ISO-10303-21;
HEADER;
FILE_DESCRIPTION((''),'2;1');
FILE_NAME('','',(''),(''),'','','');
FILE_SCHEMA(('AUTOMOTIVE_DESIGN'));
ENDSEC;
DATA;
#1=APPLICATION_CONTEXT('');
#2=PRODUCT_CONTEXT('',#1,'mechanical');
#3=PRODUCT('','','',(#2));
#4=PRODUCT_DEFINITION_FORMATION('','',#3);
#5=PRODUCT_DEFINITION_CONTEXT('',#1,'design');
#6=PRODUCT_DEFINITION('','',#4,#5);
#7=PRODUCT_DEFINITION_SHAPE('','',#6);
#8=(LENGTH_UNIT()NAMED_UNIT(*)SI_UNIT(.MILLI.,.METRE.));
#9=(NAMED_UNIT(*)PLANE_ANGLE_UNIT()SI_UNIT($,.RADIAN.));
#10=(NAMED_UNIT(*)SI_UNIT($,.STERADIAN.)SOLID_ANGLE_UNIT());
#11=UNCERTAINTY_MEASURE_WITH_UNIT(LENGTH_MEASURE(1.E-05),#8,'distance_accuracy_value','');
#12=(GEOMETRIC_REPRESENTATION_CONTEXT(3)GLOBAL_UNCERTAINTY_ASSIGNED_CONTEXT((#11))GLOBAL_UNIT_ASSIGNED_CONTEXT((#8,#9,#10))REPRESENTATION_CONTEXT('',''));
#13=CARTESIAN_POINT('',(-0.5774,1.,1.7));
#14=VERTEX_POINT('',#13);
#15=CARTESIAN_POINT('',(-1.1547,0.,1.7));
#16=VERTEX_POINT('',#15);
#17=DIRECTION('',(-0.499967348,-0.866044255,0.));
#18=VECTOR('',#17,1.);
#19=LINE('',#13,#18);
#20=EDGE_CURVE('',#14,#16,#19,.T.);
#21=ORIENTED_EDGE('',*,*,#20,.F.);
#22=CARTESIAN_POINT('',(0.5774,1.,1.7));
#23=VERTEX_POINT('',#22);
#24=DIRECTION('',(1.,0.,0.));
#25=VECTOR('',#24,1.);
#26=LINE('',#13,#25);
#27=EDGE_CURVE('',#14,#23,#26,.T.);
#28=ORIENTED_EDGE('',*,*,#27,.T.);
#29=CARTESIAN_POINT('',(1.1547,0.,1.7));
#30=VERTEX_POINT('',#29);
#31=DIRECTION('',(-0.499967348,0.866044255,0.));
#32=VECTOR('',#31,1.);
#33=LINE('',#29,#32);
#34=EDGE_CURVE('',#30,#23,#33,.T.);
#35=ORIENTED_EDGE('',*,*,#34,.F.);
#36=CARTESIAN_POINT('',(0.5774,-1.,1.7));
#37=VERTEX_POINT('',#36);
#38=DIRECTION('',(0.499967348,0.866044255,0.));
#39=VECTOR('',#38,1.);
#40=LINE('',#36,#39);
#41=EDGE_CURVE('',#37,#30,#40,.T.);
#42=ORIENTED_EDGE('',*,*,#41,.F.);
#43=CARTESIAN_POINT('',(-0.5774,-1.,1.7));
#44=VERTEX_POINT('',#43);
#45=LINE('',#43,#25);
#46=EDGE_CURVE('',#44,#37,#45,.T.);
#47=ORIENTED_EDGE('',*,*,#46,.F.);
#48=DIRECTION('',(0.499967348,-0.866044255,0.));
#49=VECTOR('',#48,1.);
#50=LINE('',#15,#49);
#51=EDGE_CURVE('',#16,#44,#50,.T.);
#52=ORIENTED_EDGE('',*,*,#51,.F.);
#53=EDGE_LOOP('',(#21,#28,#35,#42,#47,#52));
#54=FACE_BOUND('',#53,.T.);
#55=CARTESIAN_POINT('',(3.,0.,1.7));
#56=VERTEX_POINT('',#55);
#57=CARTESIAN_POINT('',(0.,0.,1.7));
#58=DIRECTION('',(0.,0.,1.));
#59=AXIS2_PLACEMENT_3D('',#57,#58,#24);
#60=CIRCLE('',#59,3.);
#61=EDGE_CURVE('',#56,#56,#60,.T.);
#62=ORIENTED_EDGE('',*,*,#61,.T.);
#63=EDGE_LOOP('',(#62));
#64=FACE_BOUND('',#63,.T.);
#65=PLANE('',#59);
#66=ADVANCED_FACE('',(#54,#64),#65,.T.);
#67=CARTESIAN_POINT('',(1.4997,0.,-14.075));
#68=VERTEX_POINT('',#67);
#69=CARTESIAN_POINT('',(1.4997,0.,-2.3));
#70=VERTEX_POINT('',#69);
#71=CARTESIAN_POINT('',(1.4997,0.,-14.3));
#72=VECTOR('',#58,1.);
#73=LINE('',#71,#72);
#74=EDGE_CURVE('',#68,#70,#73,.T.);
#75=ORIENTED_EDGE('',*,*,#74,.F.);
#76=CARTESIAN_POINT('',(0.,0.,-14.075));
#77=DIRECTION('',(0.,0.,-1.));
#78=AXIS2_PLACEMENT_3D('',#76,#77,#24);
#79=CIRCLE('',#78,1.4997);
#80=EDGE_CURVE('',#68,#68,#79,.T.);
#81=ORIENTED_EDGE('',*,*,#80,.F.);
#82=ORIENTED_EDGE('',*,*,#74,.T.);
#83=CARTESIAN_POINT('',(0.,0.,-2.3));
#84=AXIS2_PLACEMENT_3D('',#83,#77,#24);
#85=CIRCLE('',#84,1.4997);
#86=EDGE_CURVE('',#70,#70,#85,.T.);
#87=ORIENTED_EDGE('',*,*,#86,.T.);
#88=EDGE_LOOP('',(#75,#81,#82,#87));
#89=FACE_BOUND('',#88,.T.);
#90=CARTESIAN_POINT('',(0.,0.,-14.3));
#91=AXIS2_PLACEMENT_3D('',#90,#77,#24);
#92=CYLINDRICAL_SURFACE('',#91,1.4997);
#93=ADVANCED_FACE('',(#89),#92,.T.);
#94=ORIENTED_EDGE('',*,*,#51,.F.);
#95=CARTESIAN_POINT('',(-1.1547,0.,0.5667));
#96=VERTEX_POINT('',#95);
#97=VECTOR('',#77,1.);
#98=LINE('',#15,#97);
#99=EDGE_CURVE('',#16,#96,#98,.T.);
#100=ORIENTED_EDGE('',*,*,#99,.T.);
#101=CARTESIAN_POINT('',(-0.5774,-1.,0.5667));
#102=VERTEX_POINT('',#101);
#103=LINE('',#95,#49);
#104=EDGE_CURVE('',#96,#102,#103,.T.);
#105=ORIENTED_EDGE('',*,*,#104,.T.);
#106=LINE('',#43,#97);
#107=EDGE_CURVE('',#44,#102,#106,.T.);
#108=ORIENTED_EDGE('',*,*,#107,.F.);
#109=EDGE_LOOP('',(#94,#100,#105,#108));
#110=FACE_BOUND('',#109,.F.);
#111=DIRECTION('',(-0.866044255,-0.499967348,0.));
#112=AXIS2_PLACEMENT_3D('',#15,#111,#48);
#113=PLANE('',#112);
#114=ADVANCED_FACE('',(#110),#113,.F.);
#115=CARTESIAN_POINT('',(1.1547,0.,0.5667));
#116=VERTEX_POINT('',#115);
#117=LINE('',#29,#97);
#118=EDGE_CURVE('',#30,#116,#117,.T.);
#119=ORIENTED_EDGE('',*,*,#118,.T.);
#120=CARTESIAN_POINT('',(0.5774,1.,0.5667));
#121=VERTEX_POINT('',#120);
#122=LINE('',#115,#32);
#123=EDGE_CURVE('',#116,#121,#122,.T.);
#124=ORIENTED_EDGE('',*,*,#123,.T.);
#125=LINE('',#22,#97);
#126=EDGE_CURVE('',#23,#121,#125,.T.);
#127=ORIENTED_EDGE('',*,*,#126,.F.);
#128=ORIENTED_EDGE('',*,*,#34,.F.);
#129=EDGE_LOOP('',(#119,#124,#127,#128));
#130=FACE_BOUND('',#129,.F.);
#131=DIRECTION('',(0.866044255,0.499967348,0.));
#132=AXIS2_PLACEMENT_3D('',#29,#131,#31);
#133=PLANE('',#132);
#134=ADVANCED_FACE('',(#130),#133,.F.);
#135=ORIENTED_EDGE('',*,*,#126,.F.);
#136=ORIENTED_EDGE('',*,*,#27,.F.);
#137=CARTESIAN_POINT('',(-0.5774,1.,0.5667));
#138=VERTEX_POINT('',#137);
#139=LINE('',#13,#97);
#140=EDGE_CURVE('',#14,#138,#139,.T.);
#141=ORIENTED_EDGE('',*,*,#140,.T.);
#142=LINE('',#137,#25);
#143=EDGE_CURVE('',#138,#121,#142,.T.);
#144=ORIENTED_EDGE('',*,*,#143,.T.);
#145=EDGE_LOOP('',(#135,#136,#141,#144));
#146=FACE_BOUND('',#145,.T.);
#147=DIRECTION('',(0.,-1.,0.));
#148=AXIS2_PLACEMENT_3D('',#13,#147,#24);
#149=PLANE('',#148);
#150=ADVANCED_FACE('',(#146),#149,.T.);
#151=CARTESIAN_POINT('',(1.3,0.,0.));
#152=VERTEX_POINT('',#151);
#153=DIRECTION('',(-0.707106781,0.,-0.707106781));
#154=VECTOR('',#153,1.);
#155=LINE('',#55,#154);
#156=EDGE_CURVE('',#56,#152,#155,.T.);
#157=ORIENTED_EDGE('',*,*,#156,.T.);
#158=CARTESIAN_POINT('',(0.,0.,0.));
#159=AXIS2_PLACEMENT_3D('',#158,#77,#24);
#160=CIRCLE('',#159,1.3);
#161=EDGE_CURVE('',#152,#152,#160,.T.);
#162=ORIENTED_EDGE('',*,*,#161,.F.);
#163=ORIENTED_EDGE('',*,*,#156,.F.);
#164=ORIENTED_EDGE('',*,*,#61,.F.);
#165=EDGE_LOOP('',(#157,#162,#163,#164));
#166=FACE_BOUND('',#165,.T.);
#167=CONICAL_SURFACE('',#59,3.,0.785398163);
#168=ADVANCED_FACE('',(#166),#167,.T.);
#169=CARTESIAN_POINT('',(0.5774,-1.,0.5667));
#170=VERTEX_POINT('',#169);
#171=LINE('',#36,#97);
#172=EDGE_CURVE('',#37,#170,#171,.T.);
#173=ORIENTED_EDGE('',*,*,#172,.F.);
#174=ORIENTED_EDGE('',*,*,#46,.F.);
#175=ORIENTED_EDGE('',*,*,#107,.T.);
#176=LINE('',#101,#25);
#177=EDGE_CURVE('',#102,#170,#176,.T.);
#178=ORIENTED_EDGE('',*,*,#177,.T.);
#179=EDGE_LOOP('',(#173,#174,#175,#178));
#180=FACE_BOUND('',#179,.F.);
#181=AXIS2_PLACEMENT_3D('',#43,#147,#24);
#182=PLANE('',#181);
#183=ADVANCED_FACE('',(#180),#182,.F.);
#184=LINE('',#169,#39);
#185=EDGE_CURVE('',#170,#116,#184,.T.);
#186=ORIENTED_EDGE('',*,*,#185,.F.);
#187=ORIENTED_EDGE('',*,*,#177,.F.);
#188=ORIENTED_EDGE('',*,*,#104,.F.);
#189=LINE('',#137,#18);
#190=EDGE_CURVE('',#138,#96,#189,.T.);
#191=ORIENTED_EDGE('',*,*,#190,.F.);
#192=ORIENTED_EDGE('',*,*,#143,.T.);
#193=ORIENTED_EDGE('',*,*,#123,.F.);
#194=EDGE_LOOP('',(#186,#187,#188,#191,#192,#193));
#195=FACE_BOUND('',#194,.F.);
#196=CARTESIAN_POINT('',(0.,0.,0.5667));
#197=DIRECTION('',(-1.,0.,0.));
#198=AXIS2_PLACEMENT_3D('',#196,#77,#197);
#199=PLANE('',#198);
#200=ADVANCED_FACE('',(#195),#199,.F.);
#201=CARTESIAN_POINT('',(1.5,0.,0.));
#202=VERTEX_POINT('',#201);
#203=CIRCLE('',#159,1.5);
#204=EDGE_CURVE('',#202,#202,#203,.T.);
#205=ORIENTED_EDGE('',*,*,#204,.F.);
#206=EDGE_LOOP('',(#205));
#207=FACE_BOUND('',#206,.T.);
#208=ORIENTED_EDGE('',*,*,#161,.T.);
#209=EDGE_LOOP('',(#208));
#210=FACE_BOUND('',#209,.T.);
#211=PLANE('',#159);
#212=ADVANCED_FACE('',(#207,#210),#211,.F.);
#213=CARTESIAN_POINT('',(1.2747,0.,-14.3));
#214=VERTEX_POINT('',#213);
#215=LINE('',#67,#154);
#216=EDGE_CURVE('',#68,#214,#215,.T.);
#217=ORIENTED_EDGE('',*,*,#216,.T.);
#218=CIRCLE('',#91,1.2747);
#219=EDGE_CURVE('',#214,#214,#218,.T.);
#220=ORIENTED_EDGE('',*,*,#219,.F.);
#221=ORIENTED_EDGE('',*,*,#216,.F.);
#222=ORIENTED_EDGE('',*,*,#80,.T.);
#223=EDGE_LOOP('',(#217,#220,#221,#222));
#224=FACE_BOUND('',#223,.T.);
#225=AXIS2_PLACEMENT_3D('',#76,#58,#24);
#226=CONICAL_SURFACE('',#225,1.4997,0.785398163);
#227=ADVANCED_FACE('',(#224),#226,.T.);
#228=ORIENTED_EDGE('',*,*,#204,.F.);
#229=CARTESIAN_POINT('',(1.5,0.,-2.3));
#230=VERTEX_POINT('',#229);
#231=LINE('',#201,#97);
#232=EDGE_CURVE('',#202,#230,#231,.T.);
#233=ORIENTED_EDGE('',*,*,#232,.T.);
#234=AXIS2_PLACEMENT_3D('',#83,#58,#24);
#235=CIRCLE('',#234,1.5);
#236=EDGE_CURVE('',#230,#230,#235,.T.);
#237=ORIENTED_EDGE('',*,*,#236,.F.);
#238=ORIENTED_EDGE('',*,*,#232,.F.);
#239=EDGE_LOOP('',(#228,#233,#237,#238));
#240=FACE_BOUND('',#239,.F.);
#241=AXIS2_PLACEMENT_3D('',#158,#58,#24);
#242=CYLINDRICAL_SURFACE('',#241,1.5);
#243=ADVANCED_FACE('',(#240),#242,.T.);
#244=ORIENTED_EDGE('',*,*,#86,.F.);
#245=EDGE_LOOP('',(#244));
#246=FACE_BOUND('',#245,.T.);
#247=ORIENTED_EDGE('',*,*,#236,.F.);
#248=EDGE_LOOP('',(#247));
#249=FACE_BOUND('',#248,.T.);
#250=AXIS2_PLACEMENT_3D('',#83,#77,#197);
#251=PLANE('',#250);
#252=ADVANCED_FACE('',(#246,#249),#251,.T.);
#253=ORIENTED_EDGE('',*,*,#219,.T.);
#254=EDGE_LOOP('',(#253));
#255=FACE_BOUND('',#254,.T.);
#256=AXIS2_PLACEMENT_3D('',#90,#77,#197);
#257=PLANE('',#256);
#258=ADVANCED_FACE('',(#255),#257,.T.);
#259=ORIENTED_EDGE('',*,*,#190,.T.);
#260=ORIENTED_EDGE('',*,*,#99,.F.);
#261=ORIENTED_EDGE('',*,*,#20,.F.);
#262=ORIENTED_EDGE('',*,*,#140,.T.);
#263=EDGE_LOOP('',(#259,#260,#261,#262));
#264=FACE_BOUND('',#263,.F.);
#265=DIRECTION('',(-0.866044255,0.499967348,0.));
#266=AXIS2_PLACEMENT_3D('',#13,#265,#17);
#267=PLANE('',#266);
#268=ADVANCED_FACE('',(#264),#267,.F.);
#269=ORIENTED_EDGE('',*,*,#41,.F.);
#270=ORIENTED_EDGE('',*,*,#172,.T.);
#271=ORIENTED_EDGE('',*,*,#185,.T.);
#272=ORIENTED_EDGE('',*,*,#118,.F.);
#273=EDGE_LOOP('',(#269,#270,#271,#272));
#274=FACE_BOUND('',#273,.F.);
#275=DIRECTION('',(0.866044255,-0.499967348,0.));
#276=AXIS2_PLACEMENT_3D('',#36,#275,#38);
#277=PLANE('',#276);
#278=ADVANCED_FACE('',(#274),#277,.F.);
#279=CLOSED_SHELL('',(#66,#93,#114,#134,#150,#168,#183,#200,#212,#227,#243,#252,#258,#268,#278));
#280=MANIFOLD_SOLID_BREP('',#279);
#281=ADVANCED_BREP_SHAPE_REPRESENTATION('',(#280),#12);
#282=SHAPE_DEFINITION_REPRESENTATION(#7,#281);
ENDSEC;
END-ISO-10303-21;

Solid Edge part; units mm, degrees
sketch "Sketch1" plane through (0, 0, 0) normal (0, 0, 1) x (1, 0, 0)
  circle A0 centre (0, 0) radius 3
  dimension "D1" = 6
extrude "Protrusion1" add sketch "Sketch1" along normal blind 1.7
sketch "Sketch2" plane through (0, 0, 0) normal (0, 0, -1) x (1, 0, 0)
  circle A0 centre (0, 0) radius 1.5
extrude "Protrusion2" add sketch "Sketch2" along normal blind 14.3
sketch "Sketch3" plane through (0, 0, -14.3) normal (0, 0, -1) x (1, 0, 0)
  circle A0 centre (0, 0) radius 1.4997
extrude "Cutout1" cut sketch "Sketch3" against normal blind 12 flip side to cut
chamfer "Chamfer_1" distance 0.225 angle 45 1 edges at (-1.4997, 0, -14.3)
sketch "Sketch4" plane through (0, 0, 1.7) normal (0, 0, 1) x (1, 0, 0)
  line L0 (-0.5774, 1) -> (0.5774, 1)
  line L1 (1.1547, 0) -> (0.5774, 1)
  line L2 (0.5774, -1) -> (1.1547, 0)
  line L3 (-0.5774, -1) -> (0.5774, -1)
  line L4 (-1.1547, 0) -> (-0.5774, -1)
  line L5 (-0.5774, 1) -> (-1.1547, 0)
  dimension "D1" = 2
extrude "Cutout2" cut sketch "Sketch4" against normal blind 1.1333
sketch "Sketch5" plane through (0, 0, 0) normal (0, -1, 0) x (1, 0, 0)
  line L0 (3, 1.7) -> (1.3, 0)
  line L1 (1.3, 0) -> (3, 0)
  line L2 (3, 0) -> (3, 1.7)
revolve "RevolvedCutout1" cut sketch "Sketch5" angle 360 about axis through (0, 0, 14.0017) along (0, 0, -1)
properties part number "24104634"
